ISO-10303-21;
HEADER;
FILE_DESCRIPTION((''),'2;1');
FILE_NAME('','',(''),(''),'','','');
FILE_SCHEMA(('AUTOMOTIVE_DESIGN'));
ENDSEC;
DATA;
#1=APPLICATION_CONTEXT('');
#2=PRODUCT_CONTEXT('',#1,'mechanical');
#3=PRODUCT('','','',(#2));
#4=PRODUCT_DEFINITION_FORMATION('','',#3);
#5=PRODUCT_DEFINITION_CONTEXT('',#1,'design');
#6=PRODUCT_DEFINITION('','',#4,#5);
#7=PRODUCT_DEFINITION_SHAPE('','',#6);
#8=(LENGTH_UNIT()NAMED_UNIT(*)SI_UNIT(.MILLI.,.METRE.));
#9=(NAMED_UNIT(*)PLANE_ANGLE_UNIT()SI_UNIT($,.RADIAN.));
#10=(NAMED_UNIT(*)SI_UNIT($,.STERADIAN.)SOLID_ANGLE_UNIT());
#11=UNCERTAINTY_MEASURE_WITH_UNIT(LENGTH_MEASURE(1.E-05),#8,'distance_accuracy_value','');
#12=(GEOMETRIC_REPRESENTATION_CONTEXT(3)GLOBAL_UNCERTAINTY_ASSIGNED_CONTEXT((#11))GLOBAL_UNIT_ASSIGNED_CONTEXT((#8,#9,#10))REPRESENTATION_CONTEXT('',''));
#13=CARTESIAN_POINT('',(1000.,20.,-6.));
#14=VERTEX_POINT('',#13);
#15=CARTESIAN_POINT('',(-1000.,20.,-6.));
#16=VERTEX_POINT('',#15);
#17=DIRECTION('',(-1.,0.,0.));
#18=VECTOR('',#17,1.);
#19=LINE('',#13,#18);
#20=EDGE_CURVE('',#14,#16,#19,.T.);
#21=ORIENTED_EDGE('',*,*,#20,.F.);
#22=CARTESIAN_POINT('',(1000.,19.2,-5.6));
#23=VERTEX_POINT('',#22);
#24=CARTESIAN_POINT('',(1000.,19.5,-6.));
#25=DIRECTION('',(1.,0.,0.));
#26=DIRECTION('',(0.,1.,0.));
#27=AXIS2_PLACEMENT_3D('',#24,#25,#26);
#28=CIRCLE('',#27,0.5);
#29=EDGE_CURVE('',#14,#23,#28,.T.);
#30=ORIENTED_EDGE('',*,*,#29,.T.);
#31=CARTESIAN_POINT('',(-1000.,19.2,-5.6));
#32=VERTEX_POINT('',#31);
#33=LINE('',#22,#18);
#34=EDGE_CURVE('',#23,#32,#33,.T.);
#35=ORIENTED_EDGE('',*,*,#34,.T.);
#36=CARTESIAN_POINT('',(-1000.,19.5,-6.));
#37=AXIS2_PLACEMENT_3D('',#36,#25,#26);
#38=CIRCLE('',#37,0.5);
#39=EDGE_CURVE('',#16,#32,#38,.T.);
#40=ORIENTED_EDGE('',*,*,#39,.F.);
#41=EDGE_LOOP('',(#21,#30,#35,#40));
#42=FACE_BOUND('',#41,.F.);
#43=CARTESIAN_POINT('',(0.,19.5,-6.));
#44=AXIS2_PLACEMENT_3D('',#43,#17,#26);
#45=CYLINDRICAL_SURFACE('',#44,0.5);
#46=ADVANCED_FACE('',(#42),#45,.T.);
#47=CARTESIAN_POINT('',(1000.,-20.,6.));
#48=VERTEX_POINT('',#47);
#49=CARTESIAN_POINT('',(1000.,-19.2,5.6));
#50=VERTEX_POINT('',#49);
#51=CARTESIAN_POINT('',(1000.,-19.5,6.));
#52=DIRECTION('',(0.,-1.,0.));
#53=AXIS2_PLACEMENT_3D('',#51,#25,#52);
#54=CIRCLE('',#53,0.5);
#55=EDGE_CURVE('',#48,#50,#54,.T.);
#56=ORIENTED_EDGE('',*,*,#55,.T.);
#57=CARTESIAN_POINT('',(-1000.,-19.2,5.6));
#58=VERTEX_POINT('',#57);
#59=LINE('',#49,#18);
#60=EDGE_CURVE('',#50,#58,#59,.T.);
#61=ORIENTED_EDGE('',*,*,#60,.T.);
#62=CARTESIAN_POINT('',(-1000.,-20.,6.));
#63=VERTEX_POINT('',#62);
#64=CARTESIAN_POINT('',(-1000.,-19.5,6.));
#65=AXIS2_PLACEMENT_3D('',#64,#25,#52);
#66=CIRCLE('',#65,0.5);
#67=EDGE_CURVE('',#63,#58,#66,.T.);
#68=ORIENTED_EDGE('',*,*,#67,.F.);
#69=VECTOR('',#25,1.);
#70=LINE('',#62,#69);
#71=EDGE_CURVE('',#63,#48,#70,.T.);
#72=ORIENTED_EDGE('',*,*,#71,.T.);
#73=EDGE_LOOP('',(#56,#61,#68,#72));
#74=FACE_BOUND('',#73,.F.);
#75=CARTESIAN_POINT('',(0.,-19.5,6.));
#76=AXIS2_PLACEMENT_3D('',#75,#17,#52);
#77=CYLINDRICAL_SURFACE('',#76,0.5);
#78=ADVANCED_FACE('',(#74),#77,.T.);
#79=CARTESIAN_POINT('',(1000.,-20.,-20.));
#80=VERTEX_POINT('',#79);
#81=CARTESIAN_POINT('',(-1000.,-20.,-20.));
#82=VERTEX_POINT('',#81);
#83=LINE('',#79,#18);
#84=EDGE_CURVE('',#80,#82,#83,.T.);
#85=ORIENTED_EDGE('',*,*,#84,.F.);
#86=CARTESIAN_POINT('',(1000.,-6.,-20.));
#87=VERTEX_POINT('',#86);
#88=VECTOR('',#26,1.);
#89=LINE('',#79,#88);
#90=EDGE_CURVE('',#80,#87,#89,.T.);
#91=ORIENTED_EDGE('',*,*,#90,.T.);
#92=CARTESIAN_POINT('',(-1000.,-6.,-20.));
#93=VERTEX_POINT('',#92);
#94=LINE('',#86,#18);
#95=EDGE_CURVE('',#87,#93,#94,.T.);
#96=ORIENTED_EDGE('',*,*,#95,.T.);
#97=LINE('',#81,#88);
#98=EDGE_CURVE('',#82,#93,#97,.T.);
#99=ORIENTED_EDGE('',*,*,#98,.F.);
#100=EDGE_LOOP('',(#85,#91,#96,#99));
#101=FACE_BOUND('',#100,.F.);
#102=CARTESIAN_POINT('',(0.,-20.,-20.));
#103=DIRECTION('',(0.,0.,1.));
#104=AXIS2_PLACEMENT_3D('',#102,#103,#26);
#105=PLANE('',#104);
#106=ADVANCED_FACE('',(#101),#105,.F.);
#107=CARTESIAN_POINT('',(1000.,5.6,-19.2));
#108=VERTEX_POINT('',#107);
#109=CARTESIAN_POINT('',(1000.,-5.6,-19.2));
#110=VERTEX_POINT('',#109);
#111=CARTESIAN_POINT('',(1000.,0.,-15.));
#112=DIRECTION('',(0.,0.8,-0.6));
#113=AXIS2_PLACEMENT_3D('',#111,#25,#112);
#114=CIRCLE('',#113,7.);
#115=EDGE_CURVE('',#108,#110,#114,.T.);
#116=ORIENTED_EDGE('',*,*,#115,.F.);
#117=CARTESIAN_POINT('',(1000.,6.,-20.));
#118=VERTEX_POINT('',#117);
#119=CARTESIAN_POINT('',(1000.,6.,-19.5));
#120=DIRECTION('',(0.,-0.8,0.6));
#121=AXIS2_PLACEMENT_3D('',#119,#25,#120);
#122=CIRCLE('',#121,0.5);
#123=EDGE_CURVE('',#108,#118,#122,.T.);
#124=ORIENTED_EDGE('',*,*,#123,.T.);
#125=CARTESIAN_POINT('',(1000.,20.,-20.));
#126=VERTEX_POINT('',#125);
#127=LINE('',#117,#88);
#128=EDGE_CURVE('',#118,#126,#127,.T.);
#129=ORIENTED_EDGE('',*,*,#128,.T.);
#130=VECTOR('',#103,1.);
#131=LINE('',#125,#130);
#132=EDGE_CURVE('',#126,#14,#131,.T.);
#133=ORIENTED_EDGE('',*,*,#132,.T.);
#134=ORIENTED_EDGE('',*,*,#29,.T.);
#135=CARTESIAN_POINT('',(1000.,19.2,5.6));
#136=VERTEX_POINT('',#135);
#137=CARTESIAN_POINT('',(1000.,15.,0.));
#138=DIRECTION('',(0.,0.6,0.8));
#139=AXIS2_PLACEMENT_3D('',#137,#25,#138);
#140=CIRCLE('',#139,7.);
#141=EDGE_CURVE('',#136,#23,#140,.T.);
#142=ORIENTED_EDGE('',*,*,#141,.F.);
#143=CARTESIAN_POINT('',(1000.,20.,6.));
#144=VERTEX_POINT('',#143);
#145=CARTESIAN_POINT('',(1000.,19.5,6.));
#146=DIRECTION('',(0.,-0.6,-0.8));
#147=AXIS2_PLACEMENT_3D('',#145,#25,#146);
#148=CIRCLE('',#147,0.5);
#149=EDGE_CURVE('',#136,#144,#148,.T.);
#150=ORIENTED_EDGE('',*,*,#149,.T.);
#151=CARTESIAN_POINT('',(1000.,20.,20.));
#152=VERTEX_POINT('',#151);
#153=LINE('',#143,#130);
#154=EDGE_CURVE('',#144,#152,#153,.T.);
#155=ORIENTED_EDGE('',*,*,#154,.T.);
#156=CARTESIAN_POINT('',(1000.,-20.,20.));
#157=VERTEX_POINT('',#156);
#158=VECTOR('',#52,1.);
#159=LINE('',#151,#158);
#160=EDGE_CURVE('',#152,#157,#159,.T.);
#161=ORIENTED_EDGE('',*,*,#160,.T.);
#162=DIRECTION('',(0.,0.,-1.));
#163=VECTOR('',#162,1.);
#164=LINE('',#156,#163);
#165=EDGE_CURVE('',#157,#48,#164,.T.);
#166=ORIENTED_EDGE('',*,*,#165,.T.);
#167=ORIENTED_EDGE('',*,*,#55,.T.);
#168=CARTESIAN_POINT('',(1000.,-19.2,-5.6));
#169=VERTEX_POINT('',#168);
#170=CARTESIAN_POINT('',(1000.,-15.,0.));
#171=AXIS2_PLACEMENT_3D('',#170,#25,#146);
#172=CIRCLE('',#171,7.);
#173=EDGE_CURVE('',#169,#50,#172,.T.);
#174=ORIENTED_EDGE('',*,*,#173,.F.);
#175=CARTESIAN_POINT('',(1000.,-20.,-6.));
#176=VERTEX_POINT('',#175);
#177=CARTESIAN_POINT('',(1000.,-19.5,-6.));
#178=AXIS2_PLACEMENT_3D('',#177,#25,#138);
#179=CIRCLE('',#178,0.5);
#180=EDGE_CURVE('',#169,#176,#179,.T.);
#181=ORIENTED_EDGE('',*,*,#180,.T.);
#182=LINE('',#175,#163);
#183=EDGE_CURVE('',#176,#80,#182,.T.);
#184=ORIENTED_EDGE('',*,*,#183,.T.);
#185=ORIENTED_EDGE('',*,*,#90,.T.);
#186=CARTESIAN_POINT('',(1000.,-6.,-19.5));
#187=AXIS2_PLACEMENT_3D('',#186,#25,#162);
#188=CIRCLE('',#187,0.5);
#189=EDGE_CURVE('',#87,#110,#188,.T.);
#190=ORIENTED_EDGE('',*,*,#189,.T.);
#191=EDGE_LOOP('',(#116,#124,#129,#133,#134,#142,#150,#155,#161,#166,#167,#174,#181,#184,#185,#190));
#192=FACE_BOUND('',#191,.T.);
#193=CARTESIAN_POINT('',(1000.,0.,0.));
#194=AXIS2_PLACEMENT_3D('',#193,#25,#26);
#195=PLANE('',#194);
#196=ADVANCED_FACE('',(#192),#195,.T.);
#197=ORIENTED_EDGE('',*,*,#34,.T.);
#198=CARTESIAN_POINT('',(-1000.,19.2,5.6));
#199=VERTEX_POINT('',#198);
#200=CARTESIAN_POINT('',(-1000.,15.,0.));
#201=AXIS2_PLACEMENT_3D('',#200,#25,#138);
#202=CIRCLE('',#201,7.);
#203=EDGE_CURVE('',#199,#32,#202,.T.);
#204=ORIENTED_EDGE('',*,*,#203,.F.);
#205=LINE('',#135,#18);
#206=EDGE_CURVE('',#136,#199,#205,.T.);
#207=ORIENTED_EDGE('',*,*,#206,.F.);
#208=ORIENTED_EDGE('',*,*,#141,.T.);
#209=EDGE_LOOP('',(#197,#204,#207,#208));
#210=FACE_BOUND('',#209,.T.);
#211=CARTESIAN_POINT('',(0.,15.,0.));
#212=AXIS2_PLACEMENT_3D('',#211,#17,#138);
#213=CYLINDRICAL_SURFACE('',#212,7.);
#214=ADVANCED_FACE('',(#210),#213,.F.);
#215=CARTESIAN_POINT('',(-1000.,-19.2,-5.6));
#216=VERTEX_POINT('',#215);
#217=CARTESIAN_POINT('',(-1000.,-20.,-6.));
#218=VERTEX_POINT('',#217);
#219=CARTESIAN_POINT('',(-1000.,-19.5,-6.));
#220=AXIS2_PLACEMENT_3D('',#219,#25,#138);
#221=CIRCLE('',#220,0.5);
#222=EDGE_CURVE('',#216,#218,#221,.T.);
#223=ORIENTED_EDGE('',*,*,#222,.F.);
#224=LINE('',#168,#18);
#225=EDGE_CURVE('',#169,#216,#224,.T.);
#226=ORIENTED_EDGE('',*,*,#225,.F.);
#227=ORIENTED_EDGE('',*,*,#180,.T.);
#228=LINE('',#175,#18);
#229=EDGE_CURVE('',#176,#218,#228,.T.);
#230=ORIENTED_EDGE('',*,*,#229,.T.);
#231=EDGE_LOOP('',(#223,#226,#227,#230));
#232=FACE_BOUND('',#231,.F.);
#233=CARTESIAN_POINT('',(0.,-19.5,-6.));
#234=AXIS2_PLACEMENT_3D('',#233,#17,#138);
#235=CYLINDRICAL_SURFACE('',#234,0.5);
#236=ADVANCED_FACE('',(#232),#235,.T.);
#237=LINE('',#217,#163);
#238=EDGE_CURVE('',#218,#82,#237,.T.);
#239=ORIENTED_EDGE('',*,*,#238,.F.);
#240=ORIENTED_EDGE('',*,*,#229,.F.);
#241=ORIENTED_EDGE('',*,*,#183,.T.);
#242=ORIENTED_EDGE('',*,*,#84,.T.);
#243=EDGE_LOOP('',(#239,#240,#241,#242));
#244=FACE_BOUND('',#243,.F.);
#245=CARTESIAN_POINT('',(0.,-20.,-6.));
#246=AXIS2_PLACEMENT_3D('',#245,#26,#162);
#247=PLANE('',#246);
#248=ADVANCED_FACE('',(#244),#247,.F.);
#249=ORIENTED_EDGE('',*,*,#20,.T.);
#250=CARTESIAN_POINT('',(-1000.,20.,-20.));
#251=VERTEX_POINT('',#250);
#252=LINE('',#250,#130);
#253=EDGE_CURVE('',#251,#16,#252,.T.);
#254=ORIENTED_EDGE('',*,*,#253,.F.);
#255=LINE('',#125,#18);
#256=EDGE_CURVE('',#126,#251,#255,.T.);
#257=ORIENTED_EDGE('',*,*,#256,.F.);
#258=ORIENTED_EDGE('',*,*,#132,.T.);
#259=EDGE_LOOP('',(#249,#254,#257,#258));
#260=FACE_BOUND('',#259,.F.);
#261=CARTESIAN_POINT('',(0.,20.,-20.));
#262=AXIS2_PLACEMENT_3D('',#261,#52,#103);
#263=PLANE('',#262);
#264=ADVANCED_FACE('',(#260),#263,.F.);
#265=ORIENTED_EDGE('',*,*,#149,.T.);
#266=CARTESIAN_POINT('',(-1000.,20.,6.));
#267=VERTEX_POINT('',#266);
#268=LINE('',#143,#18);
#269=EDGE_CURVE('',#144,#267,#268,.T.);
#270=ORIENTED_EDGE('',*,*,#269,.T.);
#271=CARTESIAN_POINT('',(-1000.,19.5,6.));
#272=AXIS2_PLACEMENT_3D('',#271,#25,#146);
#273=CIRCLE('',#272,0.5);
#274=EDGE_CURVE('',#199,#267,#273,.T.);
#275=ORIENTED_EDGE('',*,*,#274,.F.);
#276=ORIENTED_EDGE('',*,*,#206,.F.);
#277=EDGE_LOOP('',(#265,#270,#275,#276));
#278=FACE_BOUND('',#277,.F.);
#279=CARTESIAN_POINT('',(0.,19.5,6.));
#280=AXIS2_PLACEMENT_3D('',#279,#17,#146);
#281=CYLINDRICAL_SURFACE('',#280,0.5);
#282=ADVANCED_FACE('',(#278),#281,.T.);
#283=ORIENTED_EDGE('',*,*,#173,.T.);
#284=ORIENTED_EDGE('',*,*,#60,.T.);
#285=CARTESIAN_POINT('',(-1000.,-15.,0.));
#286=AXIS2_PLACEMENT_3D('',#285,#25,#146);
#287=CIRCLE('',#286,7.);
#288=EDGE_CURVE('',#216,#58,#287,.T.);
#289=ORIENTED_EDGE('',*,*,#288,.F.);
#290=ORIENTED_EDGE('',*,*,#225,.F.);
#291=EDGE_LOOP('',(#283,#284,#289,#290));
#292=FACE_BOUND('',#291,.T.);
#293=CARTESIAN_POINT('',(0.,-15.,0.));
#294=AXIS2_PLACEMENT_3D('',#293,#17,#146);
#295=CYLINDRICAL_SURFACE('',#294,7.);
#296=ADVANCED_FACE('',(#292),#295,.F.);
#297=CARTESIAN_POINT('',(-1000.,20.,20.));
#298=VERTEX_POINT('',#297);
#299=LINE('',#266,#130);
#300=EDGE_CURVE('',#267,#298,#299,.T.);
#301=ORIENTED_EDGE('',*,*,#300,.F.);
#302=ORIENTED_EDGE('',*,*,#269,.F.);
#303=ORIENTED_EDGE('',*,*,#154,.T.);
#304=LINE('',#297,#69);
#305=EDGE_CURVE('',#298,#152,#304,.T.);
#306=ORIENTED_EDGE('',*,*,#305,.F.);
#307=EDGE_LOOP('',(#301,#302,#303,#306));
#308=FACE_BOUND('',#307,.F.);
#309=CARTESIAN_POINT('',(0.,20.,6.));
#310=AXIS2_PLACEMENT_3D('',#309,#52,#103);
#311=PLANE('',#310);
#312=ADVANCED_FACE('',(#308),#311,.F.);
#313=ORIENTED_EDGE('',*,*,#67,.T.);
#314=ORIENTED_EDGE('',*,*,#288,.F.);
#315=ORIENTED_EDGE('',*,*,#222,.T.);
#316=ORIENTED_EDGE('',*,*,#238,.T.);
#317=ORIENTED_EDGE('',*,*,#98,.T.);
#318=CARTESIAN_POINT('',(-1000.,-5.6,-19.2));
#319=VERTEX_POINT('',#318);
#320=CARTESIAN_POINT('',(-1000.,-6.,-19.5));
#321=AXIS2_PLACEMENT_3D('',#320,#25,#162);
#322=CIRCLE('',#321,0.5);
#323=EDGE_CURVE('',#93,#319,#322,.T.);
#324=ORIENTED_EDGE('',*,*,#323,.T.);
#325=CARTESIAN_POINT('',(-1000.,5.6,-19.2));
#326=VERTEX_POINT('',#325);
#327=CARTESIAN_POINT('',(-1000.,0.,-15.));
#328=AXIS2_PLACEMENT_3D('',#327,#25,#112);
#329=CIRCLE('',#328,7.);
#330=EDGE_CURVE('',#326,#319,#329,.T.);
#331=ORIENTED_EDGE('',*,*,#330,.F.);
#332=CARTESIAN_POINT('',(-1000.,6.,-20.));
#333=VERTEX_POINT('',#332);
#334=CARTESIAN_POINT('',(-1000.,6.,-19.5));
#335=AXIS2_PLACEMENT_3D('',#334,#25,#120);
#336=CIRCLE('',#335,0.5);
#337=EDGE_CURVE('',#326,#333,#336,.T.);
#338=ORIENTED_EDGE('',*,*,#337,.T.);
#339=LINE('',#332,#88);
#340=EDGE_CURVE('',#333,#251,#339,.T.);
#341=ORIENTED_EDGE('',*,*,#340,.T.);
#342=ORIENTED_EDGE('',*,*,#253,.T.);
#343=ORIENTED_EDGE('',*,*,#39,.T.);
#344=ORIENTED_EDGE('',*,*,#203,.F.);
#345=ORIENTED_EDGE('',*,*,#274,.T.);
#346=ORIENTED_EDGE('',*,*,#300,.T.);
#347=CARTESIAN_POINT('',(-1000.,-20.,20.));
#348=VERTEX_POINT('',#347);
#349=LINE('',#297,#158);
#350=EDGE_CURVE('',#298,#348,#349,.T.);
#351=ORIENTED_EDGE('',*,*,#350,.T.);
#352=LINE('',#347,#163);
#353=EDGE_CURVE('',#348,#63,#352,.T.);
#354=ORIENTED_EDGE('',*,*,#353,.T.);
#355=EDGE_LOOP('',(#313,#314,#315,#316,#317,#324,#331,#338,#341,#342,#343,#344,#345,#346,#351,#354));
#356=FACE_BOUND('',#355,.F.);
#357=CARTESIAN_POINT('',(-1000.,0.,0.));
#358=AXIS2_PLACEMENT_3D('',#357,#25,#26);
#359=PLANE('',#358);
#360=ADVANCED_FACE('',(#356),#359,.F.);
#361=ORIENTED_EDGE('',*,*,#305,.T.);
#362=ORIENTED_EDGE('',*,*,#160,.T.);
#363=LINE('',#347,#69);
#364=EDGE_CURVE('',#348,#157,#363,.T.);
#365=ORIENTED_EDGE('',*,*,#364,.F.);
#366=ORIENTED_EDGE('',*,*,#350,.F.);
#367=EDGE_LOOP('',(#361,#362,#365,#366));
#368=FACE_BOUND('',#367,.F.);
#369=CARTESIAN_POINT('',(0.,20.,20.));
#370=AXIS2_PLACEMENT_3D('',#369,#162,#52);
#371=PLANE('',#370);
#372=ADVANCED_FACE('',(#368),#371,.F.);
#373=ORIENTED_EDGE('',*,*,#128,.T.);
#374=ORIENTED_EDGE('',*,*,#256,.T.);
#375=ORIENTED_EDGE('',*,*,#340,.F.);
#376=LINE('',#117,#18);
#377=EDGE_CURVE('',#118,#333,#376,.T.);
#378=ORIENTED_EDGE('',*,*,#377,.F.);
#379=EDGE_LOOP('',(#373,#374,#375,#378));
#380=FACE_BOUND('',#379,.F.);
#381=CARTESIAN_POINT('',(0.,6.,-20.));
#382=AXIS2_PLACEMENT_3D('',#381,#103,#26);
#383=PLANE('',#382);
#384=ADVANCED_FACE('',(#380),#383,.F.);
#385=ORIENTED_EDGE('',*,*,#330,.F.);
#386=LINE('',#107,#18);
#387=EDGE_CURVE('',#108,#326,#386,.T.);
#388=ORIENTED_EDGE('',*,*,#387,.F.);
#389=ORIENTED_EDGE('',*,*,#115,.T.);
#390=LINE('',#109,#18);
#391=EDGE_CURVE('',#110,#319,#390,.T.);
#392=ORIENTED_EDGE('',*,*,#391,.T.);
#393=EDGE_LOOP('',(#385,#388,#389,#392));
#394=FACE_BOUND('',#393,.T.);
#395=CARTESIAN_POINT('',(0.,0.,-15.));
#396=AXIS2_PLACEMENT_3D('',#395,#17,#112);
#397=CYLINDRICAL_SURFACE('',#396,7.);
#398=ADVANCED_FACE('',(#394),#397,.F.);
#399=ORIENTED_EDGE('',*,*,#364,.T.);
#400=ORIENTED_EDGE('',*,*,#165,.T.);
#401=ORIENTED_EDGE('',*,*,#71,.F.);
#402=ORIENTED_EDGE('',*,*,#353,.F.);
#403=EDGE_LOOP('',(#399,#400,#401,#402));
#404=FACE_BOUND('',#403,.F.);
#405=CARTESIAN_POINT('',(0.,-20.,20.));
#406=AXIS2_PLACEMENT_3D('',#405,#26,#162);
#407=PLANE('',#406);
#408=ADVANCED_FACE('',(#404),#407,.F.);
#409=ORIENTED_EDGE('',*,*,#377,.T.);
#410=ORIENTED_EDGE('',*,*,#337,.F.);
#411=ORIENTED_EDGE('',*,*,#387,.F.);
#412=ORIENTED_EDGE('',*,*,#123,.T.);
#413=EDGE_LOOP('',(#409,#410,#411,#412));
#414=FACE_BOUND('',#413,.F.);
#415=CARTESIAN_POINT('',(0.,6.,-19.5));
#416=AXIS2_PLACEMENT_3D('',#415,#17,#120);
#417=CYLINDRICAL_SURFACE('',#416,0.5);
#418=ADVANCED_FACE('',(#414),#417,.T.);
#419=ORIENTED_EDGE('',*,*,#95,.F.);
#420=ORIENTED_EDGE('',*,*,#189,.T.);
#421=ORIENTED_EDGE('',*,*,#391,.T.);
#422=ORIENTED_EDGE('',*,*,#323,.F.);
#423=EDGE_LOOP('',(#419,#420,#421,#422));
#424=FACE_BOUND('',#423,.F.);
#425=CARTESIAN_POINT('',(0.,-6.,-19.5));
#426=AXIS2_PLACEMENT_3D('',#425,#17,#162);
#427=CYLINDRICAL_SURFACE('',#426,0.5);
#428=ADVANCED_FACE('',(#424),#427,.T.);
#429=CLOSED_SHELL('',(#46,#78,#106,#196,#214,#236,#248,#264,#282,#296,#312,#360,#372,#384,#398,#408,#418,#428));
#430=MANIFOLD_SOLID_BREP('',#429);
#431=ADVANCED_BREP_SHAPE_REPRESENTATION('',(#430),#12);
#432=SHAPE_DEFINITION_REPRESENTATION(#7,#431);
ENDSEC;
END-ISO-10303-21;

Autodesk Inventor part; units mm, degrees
ref_plane "YZ Plane" through (0, 0, 0) normal (1, 0, 0) x (0, 1, 0)
ref_plane "XZ Plane" through (0, 0, 0) normal (0, 1, 0) x (-1, 0, 0)
ref_plane "XY Plane" through (0, 0, 0) normal (0, 0, 1) x (1, 0, 0)
sketch "Sketch1" plane through (0, 0, 0) normal (1, 0, 0) x (0, 1, 0)
  line L0 (20, 20) -> (-20, 20)
  arc A0 (5.6, -19.2) -> (-5.6, -19.2) centre (0, -15) ccw
  line L1 (-20, 20) -> (20, 20)
  arc A1 (19.2, 5.6) -> (19.2, -5.6) centre (15, 0) ccw
  line L2 (-20, 20) -> (20, 20)
  arc A2 (-19.2, -5.6) -> (-19.2, 5.6) centre (-15, 0) ccw
  line L3 (20, 20) -> (-20, 20)
  line L4 (-20, -20) -> (-6, -20)
  line L5 (6, -20) -> (20, -20)
  line L6 (-20, 20) -> (-20, 6)
  line L7 (-20, -6) -> (-20, -20)
  line L8 (20, -20) -> (20, -6)
  line L9 (20, 6) -> (20, 20)
  line L10 (20, 20) -> (20, 6)
  line L11 (20, -6) -> (20, -20)
  line L12 (-20, -20) -> (-20, -6)
  line L13 (-20, 6) -> (-20, 20)
  arc A3 (19.2, 5.6) -> (20, 6) centre (19.5, 6) ccw
  arc A4 (20, -6) -> (19.2, -5.6) centre (19.5, -6) ccw
  arc A5 (-6, -20) -> (-5.6, -19.2) centre (-6, -19.5) ccw
  arc A6 (5.6, -19.2) -> (6, -20) centre (6, -19.5) ccw
  arc A7 (-19.2, -5.6) -> (-20, -6) centre (-19.5, -6) ccw
  arc A8 (-20, 6) -> (-19.2, 5.6) centre (-19.5, 6) ccw
  point P0 (0, 0)
  point P1 (-4.899, -20)
  point P2 (4.899, -20)
  dimension "d3" = 40
  dimension "d4" = 40
  dimension "d5" = 40
  dimension "d9" = 14
  dimension "d10" = 0.5
  dimension "d11" = 0.5
extrude "Extrusion1" add sketch "Sketch1" along normal mid plane 2000
properties part number "launchrail"
